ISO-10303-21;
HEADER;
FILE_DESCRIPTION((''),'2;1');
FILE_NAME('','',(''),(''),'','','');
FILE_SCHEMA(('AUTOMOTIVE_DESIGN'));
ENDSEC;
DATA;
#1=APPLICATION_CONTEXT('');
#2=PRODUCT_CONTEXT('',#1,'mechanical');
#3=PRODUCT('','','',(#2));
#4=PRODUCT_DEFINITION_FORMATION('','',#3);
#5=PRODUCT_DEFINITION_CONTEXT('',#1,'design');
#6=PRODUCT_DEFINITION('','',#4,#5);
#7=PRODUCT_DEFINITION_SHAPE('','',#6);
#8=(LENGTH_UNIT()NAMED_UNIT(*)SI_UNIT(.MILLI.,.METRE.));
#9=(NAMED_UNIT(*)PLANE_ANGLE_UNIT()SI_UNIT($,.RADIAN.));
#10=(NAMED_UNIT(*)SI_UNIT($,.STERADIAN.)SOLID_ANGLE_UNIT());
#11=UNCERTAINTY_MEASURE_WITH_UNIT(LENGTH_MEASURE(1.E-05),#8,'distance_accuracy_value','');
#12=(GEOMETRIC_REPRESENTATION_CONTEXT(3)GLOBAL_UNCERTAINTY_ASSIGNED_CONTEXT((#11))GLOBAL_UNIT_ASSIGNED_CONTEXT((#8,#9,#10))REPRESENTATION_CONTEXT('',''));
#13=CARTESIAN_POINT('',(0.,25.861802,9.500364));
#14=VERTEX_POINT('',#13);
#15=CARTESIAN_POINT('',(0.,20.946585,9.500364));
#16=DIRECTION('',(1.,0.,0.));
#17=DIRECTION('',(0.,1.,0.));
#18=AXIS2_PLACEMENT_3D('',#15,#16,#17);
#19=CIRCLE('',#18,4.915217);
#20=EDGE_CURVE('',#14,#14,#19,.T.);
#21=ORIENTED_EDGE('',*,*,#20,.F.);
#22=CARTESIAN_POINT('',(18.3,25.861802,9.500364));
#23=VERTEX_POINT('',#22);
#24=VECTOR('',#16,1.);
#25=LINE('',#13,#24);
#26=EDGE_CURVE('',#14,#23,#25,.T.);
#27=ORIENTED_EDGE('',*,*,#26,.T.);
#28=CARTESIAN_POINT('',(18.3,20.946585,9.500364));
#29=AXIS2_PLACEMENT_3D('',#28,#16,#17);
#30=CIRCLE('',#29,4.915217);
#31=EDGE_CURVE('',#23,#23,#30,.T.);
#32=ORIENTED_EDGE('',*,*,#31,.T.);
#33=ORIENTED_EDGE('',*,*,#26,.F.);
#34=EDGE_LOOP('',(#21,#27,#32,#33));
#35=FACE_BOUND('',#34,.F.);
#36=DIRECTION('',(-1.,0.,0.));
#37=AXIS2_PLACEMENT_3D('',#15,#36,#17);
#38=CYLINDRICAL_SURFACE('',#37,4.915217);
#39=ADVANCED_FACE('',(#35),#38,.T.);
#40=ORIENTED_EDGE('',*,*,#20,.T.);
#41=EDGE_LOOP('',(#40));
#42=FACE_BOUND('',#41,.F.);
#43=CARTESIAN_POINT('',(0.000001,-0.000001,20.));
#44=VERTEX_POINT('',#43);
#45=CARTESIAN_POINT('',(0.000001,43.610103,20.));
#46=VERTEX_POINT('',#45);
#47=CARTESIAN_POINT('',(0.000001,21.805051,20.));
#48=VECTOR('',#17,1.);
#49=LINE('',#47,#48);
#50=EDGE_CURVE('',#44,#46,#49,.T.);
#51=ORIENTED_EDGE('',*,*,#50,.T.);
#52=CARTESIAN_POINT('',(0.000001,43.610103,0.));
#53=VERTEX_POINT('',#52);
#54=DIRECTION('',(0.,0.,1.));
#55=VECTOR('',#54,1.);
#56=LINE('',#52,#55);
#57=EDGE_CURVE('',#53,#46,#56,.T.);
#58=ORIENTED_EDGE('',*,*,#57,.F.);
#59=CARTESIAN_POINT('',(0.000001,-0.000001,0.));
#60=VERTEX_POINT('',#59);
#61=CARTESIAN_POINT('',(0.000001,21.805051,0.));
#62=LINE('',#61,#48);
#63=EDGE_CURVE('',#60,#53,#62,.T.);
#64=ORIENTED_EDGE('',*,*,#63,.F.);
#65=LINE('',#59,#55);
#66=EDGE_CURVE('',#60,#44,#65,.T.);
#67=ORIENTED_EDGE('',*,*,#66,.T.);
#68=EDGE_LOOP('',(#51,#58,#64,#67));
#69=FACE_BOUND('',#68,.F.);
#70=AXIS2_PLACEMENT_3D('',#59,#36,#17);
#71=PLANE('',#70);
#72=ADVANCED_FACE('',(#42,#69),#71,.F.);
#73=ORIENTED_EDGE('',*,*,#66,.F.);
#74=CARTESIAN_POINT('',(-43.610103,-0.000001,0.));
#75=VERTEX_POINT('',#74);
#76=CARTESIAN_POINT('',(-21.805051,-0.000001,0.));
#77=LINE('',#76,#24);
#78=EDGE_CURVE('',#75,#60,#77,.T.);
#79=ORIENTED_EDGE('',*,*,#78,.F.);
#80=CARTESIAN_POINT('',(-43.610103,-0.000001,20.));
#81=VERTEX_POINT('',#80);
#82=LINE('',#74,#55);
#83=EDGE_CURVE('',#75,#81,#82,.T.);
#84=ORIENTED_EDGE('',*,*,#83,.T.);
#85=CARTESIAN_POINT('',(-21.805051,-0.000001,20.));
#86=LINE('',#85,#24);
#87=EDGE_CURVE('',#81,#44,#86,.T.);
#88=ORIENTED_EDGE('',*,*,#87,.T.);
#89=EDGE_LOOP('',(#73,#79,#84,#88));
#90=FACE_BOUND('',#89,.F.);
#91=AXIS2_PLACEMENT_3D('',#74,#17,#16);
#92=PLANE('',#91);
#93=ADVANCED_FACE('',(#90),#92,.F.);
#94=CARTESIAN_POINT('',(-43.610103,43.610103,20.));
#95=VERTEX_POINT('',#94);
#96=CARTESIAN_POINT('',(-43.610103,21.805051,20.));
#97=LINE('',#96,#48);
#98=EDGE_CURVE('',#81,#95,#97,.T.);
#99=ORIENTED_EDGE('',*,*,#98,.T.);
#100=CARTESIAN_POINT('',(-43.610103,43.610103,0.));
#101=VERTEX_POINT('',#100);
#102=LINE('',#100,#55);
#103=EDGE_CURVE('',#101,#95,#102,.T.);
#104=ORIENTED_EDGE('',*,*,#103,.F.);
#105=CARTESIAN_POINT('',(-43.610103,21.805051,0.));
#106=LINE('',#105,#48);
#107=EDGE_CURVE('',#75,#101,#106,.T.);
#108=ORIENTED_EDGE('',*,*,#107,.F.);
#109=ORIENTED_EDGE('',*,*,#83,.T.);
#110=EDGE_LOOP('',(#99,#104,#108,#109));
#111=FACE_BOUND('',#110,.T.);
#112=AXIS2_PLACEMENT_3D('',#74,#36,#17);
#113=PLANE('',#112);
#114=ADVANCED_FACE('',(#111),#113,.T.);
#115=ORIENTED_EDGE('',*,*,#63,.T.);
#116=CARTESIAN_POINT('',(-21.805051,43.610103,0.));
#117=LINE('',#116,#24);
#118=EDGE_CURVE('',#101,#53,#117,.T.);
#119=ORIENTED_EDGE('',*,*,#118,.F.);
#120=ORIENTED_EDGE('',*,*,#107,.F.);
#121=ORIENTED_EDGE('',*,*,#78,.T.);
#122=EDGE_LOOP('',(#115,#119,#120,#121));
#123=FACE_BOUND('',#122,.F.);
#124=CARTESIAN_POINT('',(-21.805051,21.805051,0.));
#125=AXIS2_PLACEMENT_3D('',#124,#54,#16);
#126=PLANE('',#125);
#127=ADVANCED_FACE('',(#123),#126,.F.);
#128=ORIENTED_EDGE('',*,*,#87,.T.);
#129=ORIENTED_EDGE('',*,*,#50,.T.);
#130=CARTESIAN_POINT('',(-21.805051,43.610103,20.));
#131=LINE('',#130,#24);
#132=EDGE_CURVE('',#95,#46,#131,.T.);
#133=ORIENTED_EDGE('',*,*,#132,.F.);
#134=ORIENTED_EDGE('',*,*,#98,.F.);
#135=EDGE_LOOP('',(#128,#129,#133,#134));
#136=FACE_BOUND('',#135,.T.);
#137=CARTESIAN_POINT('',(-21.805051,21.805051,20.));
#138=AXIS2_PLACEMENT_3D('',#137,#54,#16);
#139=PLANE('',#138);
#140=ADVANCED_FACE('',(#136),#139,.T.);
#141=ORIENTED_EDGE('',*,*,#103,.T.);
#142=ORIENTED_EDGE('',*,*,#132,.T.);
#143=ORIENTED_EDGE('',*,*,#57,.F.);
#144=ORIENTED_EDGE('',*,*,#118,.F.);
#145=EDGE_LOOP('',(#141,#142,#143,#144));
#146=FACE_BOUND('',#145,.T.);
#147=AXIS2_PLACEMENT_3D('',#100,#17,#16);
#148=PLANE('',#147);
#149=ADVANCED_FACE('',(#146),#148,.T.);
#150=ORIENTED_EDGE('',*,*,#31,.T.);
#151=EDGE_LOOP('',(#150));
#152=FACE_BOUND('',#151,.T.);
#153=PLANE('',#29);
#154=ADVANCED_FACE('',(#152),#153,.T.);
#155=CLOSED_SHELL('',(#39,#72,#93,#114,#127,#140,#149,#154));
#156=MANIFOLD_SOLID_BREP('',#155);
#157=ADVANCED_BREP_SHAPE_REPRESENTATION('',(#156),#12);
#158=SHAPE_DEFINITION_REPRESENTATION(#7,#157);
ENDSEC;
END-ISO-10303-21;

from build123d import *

# Parameters (mm, degrees)
F0_W     = 43.610103
F0_H     = 43.610103
F1_DEPTH = 20
F2_R     = 4.915217
F3_DEPTH = 18.3


with BuildPart() as f1:
    # F0 (on Top) → F1 (new body)
    with BuildSketch(Plane.XY):
        with Locations((-21.805051, 21.805051)):
            Rectangle(F0_W, F0_H)
    extrude(amount=F1_DEPTH)

    # F2 (on Right) → F3 (join)
    with BuildSketch(Plane.YZ):
        with Locations((20.946585, 9.500364)):
            Circle(F2_R)
    extrude(amount=F3_DEPTH)


solid = f1.part
